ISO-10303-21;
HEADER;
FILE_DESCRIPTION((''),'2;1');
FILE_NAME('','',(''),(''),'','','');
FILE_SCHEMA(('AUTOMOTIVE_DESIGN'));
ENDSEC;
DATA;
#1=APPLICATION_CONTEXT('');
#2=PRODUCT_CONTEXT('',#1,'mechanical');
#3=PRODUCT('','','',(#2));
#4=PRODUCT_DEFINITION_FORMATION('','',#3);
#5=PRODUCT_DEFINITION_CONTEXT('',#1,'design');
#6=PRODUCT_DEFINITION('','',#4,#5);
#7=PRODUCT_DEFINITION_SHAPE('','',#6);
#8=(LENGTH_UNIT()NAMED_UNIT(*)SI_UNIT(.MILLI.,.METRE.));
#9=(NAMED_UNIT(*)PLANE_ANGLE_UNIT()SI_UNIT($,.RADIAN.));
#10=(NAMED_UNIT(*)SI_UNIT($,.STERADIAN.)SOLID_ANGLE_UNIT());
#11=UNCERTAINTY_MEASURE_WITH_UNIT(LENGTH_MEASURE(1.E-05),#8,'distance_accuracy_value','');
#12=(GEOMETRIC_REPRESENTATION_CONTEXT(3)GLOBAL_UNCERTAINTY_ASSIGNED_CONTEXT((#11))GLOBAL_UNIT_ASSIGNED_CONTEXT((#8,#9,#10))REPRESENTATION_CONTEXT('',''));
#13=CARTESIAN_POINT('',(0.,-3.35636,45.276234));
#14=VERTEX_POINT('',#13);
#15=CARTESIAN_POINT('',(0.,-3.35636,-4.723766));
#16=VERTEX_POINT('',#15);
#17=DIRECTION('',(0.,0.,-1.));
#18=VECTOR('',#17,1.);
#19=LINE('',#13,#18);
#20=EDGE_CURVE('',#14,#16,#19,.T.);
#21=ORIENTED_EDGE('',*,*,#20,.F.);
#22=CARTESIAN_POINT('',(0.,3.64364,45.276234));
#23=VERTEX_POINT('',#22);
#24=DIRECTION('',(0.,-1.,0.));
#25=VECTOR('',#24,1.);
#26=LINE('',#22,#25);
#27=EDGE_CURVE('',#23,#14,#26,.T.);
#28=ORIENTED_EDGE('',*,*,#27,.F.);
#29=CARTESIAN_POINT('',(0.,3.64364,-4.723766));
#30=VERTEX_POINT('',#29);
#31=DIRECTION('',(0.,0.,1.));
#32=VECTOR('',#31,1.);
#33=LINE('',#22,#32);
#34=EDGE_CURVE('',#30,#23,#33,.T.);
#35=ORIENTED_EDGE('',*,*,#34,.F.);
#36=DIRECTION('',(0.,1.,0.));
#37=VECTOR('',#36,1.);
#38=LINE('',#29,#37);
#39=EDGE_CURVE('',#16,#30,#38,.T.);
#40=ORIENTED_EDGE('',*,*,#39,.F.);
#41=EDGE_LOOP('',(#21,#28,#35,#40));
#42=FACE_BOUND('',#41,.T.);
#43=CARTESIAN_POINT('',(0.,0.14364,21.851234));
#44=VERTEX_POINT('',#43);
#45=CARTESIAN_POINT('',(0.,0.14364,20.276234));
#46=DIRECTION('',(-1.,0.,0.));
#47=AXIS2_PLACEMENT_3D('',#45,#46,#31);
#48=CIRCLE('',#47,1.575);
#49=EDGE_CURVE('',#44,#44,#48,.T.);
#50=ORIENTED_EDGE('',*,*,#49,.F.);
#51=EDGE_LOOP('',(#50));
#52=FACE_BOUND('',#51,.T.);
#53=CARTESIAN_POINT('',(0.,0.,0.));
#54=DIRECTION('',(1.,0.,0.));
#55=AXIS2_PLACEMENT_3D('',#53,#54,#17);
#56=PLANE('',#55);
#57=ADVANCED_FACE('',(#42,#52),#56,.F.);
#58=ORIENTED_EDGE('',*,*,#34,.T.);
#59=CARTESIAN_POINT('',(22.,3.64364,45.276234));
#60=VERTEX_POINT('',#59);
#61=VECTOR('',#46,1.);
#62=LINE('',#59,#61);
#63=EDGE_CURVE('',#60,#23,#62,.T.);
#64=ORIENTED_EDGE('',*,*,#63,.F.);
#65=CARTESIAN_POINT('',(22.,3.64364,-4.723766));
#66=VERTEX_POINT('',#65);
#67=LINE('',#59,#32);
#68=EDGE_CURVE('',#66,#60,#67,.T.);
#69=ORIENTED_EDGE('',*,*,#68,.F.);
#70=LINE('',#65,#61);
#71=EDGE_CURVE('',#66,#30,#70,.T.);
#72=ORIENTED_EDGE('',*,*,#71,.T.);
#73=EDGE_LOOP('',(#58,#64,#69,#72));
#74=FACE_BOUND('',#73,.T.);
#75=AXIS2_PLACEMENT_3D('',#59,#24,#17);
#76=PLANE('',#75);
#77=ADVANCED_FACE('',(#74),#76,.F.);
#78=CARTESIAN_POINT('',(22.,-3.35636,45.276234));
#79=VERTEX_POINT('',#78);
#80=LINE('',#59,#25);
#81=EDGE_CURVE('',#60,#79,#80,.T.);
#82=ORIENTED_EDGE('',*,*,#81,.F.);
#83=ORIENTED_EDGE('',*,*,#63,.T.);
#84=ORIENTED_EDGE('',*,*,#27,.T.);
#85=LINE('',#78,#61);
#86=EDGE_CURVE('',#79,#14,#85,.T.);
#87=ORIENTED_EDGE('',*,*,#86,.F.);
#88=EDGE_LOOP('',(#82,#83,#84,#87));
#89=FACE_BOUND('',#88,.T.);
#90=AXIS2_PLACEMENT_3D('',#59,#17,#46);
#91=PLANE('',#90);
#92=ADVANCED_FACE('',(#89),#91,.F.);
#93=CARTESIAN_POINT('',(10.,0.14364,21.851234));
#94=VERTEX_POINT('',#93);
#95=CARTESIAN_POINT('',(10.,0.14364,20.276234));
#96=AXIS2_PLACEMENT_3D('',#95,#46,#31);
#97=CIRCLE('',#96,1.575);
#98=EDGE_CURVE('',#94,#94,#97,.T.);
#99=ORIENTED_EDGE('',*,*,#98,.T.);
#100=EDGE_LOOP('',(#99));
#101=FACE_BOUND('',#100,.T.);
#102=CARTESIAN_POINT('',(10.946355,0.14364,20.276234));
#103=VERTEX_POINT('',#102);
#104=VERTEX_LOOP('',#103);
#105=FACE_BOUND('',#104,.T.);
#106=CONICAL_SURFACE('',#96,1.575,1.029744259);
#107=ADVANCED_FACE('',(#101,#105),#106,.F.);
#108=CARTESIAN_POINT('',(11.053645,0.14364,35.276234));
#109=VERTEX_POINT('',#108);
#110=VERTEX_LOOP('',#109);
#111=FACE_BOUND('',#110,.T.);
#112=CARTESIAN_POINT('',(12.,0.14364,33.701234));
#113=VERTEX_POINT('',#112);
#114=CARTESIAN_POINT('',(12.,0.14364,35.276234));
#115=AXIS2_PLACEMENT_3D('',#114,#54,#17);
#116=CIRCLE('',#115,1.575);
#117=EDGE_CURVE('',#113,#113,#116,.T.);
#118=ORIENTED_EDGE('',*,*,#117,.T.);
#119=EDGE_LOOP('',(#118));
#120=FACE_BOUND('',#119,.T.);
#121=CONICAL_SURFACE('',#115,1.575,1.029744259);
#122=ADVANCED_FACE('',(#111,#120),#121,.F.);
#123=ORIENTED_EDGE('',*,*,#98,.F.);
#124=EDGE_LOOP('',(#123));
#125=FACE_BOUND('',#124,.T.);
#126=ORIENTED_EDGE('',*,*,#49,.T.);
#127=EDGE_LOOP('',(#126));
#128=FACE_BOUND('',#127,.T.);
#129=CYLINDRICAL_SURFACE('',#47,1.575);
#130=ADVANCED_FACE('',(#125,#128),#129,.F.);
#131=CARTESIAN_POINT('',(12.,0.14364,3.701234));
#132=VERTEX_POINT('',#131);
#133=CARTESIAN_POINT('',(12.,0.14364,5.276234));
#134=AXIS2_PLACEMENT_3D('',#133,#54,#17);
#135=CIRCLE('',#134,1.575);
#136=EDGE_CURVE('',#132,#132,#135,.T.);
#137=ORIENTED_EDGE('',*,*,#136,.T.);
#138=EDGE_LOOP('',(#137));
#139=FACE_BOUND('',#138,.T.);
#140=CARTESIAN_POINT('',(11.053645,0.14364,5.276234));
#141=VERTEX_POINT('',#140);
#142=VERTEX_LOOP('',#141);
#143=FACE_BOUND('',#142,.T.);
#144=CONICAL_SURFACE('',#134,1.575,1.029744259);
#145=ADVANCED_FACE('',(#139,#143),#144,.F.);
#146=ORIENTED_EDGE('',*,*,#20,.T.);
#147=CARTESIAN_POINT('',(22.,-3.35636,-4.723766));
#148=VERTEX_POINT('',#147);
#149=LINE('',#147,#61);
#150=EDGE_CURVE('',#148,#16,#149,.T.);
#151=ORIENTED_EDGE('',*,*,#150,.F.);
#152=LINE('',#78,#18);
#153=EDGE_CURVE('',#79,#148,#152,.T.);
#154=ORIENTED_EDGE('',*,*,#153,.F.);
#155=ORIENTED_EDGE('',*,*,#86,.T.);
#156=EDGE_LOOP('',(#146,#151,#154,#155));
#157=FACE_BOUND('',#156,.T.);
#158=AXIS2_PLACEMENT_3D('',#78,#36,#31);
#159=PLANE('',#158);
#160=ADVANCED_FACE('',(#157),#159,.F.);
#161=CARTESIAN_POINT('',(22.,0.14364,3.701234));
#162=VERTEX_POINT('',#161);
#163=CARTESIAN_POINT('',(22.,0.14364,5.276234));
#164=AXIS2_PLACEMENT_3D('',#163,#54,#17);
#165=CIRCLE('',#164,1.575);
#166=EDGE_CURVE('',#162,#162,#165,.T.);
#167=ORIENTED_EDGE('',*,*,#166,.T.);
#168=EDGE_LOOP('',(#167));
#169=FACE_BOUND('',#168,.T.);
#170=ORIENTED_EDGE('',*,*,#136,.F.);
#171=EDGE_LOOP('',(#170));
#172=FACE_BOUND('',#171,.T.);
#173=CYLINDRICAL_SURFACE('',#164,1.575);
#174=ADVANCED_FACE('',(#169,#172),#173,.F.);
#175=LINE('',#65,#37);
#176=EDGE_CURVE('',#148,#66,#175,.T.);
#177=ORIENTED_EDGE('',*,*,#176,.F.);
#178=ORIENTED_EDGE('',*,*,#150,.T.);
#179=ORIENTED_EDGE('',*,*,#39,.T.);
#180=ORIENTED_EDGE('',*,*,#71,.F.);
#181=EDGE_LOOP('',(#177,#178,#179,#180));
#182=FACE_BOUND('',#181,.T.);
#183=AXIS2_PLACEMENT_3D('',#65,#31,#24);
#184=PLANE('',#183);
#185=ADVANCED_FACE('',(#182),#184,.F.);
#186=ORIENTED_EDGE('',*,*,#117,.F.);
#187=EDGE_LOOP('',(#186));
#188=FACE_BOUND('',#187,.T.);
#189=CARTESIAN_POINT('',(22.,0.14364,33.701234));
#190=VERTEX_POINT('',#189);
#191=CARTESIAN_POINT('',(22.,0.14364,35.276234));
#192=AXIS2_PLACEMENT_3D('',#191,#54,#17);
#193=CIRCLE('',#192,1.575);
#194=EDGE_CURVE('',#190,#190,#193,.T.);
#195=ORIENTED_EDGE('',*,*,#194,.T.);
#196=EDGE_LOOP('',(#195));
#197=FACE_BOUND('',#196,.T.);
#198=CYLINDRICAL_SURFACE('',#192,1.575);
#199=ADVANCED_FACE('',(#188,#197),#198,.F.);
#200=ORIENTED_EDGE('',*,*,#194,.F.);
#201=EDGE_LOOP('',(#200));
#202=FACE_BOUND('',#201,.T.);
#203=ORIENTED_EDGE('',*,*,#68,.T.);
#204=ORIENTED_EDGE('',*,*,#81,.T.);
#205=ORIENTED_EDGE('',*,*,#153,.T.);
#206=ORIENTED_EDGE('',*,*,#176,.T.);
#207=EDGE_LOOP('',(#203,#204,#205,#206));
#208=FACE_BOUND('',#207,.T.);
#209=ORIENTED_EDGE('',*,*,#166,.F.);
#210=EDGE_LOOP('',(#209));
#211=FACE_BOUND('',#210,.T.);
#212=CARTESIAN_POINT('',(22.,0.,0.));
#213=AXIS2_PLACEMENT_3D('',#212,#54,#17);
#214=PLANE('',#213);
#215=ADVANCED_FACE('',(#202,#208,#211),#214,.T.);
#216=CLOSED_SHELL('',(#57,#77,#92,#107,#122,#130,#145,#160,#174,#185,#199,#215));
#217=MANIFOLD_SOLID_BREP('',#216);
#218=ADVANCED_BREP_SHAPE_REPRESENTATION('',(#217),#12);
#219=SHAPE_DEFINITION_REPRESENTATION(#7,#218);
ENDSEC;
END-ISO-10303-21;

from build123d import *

# Parameters (mm, degrees)
SKETCH_1_W            = 50
SKETCH_1_H            = 7
EXTRUDE_1_DEPTH       = 22
HOLE_WIZARD_M31_D     = 3.15
HOLE_WIZARD_M31_DEPTH = 10
HOLE_WIZARD_M31_TIP   = 0.946355475
HOLE_WIZARD_M32_D     = 3.15
HOLE_WIZARD_M32_DEPTH = 10
HOLE_WIZARD_M32_TIP   = 0.946355475


with BuildPart() as part:
    # Эскиз1 → Бобышка-Вытянуть1 (new body)
    with BuildSketch(Plane(origin=(0, 0, 0), x_dir=(0, 0, -1), z_dir=(1, 0, 0))):
        with Locations((-20.27623422, 0.143640104)):
            Rectangle(SKETCH_1_W, SKETCH_1_H)
    extrude(amount=EXTRUDE_1_DEPTH)

    # Сверло под метчик  спиральное M31
    with Locations(Plane(origin=(22, 0, 0), x_dir=(0, 0, -1), z_dir=(1, 0, 0))):
        with Locations((-35.27623422, 0.143640104), (-5.27623422, 0.143640104)):
            Hole(HOLE_WIZARD_M31_D / 2, depth=HOLE_WIZARD_M31_DEPTH)
            with Locations((0, 0, -(HOLE_WIZARD_M31_DEPTH + HOLE_WIZARD_M31_TIP / 2))):  # 118° drill point
                Cone(0, HOLE_WIZARD_M31_D / 2, HOLE_WIZARD_M31_TIP, mode=Mode.SUBTRACT)

    # Сверло под метчик  спиральное M32
    with Locations(Plane.ZY):
        with Locations((20.27623422, 0.143640104)):
            Hole(HOLE_WIZARD_M32_D / 2, depth=HOLE_WIZARD_M32_DEPTH)
            with Locations((0, 0, -(HOLE_WIZARD_M32_DEPTH + HOLE_WIZARD_M32_TIP / 2))):  # 118° drill point
                Cone(0, HOLE_WIZARD_M32_D / 2, HOLE_WIZARD_M32_TIP, mode=Mode.SUBTRACT)


solid = part.part
